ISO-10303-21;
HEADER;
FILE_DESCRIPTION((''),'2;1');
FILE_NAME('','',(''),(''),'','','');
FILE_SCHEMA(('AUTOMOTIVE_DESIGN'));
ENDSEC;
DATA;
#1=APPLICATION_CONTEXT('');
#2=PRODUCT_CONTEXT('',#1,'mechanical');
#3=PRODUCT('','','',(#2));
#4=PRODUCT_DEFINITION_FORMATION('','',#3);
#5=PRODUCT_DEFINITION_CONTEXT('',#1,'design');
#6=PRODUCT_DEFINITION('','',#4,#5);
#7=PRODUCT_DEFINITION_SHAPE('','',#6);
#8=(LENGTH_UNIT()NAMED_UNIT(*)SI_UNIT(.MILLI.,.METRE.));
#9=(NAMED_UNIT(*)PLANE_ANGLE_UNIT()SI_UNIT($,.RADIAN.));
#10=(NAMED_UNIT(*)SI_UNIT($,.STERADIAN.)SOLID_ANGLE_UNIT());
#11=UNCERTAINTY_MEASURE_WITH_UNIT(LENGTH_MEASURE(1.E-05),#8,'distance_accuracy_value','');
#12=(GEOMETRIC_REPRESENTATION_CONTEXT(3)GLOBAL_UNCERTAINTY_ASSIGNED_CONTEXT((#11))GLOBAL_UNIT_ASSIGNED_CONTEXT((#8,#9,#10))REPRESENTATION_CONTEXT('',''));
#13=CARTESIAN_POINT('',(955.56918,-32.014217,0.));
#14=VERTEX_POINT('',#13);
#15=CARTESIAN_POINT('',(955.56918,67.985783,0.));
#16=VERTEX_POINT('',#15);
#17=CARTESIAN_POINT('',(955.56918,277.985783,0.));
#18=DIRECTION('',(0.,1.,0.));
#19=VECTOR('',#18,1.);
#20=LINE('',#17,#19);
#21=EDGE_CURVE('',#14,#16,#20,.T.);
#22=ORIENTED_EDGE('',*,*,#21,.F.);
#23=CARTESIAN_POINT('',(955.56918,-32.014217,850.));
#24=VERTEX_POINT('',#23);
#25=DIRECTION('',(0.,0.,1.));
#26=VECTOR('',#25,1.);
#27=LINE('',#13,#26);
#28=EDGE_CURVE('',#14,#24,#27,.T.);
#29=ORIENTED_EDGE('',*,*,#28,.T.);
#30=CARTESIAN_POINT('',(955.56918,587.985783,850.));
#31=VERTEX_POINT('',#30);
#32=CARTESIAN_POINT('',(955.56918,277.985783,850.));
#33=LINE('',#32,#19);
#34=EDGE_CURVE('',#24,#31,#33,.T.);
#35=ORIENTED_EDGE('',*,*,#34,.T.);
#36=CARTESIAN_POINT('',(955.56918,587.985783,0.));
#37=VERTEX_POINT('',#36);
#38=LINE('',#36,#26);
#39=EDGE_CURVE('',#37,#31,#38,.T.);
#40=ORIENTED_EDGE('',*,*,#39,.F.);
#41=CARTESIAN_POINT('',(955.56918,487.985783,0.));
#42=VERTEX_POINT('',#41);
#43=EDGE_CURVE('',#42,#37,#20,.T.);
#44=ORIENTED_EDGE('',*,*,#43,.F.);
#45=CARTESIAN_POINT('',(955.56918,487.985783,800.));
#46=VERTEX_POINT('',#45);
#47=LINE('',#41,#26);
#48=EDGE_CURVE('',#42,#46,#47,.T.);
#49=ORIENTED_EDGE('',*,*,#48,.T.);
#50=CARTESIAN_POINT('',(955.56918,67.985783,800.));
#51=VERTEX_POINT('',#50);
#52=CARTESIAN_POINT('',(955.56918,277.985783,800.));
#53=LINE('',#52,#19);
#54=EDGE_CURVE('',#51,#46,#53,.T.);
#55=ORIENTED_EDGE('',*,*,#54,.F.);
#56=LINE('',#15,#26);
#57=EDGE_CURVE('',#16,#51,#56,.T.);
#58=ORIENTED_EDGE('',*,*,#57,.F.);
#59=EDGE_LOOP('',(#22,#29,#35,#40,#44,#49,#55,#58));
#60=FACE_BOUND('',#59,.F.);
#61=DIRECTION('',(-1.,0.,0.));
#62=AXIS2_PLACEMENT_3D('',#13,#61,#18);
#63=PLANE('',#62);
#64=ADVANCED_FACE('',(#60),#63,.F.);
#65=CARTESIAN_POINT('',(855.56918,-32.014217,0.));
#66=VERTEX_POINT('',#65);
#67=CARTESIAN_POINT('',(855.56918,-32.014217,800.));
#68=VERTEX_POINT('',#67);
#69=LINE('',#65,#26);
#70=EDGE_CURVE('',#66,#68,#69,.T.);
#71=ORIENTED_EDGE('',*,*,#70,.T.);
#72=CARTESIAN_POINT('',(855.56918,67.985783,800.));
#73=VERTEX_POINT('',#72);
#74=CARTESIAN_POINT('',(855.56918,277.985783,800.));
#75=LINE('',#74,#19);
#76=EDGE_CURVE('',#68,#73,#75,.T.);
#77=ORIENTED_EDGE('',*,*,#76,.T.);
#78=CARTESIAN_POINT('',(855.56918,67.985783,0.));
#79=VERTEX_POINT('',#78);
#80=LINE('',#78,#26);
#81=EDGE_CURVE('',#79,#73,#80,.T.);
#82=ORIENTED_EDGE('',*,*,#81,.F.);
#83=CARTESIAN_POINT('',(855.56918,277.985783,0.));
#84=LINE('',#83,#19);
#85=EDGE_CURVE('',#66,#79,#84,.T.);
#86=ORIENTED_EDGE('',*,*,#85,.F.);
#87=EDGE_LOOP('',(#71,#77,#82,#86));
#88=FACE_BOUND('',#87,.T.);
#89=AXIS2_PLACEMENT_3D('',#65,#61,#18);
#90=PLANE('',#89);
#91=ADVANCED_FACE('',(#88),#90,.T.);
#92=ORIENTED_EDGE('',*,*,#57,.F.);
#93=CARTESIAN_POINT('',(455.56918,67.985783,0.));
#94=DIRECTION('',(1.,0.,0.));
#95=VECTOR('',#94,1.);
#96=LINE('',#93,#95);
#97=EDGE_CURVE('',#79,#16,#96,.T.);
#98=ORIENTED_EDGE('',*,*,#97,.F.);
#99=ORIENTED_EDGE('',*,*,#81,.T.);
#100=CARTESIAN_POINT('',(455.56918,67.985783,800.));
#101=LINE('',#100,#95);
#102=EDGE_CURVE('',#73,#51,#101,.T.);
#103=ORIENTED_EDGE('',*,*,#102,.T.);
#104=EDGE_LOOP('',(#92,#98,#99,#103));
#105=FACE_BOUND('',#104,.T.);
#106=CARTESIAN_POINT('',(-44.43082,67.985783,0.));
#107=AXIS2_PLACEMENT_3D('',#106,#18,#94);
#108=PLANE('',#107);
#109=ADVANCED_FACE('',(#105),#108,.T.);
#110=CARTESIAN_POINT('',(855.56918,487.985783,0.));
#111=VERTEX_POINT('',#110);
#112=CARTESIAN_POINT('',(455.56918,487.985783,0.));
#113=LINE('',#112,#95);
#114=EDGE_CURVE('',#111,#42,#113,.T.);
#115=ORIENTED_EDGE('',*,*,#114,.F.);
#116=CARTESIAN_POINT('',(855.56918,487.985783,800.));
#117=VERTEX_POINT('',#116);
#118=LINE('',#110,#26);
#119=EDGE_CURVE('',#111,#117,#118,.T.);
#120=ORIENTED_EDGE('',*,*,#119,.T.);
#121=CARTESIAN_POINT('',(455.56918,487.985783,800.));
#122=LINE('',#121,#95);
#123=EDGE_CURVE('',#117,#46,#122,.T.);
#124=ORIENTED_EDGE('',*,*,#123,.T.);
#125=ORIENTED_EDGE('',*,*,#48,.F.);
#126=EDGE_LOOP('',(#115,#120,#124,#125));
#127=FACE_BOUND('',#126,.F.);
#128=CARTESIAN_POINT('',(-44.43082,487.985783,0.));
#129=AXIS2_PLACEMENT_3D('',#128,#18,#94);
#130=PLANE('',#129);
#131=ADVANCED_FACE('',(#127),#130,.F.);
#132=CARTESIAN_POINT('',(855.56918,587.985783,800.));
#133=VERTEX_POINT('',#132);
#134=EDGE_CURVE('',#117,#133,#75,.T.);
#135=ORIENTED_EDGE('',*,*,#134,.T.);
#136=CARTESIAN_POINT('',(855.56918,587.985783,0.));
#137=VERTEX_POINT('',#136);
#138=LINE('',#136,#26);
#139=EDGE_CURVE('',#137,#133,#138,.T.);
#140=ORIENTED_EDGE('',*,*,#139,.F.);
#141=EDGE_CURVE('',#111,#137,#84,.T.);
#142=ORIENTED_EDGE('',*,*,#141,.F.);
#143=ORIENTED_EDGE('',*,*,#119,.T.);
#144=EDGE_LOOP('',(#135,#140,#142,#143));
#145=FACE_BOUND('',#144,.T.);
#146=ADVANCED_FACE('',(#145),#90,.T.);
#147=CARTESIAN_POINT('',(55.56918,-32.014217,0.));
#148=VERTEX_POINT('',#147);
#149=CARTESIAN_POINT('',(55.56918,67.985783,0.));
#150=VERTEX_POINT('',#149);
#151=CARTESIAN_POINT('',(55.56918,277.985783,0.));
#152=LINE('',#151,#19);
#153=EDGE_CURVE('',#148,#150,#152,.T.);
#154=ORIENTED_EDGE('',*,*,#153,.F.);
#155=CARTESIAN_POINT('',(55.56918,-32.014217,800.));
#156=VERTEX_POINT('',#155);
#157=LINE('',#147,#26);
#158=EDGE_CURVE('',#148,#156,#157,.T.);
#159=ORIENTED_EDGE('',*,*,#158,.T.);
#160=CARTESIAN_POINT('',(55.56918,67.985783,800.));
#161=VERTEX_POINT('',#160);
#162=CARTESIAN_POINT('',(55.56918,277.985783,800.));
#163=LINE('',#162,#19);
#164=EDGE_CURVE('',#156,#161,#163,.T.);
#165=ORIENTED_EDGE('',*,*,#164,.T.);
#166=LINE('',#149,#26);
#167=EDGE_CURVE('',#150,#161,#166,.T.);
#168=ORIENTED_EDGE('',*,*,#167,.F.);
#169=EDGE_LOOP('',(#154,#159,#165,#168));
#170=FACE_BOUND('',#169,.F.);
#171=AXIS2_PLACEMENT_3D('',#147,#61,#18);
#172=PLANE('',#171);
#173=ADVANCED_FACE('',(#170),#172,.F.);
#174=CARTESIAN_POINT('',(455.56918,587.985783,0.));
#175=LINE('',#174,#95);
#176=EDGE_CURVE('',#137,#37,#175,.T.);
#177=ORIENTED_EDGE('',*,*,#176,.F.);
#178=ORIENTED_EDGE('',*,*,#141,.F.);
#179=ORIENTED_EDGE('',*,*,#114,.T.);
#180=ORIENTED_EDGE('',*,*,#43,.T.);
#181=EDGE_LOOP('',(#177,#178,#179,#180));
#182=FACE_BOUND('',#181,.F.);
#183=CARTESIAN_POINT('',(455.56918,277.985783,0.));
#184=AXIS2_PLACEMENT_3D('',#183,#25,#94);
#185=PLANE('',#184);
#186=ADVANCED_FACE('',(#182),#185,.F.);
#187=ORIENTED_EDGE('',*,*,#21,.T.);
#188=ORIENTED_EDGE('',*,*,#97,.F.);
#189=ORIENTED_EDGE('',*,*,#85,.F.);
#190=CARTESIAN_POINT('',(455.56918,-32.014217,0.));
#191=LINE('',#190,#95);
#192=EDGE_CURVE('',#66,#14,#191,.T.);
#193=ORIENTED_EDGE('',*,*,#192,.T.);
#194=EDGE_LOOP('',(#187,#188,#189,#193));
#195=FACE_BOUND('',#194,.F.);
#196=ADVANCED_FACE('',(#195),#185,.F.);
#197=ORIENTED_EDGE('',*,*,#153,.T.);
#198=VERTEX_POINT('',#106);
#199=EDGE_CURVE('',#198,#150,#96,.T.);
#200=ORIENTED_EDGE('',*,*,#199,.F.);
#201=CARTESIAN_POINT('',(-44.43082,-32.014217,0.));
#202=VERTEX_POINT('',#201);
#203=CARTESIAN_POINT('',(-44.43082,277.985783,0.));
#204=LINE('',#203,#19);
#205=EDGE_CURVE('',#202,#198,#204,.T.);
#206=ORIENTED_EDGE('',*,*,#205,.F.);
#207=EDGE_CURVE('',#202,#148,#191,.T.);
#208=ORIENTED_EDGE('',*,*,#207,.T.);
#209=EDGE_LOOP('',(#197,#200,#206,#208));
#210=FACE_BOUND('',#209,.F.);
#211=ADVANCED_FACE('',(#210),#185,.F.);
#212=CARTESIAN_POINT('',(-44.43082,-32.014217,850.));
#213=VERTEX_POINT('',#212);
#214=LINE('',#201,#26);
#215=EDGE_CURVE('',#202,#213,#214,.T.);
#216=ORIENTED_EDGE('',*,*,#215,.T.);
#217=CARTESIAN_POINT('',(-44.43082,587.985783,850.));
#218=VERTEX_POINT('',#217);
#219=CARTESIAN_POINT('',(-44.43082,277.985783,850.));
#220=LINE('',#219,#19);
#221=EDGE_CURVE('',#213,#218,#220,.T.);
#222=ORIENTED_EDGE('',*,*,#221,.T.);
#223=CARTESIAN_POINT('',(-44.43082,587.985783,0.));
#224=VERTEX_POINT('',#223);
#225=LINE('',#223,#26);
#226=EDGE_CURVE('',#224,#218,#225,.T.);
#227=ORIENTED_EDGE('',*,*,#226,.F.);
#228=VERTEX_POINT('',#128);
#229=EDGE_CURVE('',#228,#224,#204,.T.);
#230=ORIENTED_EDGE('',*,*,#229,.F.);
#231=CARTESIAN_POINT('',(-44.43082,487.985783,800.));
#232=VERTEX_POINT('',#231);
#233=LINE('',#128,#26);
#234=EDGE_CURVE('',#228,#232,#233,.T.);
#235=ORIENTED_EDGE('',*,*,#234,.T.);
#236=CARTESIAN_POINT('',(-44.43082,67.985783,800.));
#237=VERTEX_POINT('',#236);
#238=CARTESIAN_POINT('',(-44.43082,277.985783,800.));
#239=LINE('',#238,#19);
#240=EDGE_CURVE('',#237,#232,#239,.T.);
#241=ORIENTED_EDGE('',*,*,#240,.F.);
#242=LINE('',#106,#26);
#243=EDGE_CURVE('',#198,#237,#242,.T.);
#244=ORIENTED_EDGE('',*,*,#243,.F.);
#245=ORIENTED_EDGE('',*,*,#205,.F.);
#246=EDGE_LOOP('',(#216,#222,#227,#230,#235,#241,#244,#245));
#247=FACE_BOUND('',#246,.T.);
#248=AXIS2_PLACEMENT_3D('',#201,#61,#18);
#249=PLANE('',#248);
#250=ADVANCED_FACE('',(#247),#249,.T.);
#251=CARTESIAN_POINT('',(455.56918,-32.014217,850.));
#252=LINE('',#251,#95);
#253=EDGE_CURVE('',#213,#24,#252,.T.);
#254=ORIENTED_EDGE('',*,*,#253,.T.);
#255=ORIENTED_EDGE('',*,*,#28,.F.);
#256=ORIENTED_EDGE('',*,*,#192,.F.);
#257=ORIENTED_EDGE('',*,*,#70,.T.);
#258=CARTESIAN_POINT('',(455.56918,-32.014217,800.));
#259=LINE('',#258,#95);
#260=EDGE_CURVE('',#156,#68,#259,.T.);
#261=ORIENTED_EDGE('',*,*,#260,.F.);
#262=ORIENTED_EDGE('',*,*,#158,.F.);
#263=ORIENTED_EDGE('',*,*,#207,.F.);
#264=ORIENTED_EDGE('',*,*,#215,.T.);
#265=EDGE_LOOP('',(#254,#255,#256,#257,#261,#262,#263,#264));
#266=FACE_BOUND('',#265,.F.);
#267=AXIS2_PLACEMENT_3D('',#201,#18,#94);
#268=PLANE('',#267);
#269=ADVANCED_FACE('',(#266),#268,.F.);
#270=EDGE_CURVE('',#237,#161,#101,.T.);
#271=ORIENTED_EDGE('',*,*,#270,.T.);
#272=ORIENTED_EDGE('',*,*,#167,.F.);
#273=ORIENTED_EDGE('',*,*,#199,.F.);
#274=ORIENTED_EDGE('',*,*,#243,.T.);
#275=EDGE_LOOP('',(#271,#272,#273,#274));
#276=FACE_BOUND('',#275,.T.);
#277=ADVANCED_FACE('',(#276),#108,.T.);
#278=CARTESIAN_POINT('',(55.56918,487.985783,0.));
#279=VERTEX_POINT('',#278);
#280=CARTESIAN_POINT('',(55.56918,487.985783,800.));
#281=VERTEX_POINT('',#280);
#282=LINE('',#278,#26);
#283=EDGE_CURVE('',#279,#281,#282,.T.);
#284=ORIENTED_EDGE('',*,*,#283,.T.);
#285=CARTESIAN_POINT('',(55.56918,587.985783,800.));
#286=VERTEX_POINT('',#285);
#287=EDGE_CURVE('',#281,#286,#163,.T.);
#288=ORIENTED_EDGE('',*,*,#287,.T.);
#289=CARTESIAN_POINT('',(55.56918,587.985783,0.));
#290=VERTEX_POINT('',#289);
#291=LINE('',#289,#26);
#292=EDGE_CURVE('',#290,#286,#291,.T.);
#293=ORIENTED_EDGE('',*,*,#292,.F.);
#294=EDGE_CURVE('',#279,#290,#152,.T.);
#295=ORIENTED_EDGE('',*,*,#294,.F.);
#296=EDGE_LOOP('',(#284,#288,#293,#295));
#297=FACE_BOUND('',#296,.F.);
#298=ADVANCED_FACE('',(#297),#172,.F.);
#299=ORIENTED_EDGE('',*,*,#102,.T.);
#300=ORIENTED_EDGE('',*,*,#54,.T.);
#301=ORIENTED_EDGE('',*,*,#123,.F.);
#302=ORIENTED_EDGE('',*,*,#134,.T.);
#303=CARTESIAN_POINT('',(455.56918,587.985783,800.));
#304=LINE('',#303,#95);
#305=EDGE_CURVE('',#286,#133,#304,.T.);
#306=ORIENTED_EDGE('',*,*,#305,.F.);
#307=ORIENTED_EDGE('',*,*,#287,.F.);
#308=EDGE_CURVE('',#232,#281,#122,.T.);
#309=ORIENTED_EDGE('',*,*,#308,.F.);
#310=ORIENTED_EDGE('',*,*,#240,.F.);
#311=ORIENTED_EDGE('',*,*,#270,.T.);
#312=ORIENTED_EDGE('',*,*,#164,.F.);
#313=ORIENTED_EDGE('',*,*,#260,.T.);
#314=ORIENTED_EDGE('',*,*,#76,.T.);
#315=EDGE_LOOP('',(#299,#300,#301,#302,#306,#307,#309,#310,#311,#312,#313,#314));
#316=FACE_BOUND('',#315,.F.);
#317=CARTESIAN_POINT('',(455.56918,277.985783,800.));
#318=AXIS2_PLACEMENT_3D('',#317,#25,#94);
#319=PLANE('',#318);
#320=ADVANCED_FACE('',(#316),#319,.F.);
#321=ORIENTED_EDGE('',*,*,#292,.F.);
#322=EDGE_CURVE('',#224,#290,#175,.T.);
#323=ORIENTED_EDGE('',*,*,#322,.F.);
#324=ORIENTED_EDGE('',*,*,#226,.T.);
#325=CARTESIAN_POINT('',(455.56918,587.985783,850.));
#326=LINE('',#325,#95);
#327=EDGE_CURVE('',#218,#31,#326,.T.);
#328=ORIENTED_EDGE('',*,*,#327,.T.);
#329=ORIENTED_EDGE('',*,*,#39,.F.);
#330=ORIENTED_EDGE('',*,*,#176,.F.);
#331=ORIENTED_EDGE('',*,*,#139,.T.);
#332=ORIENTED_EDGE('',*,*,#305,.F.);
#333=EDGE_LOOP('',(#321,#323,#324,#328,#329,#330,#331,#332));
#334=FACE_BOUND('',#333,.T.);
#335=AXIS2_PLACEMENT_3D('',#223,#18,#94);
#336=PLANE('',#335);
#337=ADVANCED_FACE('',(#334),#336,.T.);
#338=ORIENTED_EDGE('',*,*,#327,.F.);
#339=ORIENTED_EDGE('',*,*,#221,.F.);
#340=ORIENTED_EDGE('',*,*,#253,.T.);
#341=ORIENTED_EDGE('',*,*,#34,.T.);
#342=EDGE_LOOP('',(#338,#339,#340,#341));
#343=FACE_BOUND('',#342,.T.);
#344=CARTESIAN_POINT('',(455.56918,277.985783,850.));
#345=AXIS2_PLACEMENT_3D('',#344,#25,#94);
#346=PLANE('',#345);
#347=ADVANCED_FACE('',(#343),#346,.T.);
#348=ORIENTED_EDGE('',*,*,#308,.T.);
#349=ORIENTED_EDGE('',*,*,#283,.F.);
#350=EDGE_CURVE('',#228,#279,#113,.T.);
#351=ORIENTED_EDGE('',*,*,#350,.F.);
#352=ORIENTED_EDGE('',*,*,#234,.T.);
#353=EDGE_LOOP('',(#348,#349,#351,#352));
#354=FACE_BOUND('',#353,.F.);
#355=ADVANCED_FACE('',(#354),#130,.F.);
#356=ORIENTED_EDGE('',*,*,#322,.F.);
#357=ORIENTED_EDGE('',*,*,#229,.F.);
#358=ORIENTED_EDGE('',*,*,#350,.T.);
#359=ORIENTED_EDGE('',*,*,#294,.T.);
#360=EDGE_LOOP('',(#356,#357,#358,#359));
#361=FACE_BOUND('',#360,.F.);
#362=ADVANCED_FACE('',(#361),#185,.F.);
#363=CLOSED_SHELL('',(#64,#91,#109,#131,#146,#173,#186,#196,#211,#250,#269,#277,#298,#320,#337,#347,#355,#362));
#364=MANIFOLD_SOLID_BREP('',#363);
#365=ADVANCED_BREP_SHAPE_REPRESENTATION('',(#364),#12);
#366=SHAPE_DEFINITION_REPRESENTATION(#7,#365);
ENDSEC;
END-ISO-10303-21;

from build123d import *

# Parameters (mm, degrees)
F0_W     = 1000
F0_H     = 620
F1_DEPTH = 850
F2_W     = 1000
F2_H     = 420
F3_DEPTH = 800
F4_W     = 800
F4_H     = 620
F5_DEPTH = 800


with BuildPart() as f1:
    # F0 (on Top) → F1 (new body)
    with BuildSketch(Plane.XY):
        with Locations((455.56918, 277.985783)):
            Rectangle(F0_W, F0_H)
    extrude(amount=F1_DEPTH)

    # F2 (on Top) → F3 (cut)
    with BuildSketch(Plane.XY):
        with Locations((455.56918, 277.985783)):
            Rectangle(F2_W, F2_H)
    extrude(amount=F3_DEPTH, mode=Mode.SUBTRACT)

    # F4 (on Top) → F5 (cut)
    with BuildSketch(Plane.XY):
        with Locations((455.56918, 277.985783)):
            Rectangle(F4_W, F4_H)
    extrude(amount=F5_DEPTH, mode=Mode.SUBTRACT)


solid = f1.part
